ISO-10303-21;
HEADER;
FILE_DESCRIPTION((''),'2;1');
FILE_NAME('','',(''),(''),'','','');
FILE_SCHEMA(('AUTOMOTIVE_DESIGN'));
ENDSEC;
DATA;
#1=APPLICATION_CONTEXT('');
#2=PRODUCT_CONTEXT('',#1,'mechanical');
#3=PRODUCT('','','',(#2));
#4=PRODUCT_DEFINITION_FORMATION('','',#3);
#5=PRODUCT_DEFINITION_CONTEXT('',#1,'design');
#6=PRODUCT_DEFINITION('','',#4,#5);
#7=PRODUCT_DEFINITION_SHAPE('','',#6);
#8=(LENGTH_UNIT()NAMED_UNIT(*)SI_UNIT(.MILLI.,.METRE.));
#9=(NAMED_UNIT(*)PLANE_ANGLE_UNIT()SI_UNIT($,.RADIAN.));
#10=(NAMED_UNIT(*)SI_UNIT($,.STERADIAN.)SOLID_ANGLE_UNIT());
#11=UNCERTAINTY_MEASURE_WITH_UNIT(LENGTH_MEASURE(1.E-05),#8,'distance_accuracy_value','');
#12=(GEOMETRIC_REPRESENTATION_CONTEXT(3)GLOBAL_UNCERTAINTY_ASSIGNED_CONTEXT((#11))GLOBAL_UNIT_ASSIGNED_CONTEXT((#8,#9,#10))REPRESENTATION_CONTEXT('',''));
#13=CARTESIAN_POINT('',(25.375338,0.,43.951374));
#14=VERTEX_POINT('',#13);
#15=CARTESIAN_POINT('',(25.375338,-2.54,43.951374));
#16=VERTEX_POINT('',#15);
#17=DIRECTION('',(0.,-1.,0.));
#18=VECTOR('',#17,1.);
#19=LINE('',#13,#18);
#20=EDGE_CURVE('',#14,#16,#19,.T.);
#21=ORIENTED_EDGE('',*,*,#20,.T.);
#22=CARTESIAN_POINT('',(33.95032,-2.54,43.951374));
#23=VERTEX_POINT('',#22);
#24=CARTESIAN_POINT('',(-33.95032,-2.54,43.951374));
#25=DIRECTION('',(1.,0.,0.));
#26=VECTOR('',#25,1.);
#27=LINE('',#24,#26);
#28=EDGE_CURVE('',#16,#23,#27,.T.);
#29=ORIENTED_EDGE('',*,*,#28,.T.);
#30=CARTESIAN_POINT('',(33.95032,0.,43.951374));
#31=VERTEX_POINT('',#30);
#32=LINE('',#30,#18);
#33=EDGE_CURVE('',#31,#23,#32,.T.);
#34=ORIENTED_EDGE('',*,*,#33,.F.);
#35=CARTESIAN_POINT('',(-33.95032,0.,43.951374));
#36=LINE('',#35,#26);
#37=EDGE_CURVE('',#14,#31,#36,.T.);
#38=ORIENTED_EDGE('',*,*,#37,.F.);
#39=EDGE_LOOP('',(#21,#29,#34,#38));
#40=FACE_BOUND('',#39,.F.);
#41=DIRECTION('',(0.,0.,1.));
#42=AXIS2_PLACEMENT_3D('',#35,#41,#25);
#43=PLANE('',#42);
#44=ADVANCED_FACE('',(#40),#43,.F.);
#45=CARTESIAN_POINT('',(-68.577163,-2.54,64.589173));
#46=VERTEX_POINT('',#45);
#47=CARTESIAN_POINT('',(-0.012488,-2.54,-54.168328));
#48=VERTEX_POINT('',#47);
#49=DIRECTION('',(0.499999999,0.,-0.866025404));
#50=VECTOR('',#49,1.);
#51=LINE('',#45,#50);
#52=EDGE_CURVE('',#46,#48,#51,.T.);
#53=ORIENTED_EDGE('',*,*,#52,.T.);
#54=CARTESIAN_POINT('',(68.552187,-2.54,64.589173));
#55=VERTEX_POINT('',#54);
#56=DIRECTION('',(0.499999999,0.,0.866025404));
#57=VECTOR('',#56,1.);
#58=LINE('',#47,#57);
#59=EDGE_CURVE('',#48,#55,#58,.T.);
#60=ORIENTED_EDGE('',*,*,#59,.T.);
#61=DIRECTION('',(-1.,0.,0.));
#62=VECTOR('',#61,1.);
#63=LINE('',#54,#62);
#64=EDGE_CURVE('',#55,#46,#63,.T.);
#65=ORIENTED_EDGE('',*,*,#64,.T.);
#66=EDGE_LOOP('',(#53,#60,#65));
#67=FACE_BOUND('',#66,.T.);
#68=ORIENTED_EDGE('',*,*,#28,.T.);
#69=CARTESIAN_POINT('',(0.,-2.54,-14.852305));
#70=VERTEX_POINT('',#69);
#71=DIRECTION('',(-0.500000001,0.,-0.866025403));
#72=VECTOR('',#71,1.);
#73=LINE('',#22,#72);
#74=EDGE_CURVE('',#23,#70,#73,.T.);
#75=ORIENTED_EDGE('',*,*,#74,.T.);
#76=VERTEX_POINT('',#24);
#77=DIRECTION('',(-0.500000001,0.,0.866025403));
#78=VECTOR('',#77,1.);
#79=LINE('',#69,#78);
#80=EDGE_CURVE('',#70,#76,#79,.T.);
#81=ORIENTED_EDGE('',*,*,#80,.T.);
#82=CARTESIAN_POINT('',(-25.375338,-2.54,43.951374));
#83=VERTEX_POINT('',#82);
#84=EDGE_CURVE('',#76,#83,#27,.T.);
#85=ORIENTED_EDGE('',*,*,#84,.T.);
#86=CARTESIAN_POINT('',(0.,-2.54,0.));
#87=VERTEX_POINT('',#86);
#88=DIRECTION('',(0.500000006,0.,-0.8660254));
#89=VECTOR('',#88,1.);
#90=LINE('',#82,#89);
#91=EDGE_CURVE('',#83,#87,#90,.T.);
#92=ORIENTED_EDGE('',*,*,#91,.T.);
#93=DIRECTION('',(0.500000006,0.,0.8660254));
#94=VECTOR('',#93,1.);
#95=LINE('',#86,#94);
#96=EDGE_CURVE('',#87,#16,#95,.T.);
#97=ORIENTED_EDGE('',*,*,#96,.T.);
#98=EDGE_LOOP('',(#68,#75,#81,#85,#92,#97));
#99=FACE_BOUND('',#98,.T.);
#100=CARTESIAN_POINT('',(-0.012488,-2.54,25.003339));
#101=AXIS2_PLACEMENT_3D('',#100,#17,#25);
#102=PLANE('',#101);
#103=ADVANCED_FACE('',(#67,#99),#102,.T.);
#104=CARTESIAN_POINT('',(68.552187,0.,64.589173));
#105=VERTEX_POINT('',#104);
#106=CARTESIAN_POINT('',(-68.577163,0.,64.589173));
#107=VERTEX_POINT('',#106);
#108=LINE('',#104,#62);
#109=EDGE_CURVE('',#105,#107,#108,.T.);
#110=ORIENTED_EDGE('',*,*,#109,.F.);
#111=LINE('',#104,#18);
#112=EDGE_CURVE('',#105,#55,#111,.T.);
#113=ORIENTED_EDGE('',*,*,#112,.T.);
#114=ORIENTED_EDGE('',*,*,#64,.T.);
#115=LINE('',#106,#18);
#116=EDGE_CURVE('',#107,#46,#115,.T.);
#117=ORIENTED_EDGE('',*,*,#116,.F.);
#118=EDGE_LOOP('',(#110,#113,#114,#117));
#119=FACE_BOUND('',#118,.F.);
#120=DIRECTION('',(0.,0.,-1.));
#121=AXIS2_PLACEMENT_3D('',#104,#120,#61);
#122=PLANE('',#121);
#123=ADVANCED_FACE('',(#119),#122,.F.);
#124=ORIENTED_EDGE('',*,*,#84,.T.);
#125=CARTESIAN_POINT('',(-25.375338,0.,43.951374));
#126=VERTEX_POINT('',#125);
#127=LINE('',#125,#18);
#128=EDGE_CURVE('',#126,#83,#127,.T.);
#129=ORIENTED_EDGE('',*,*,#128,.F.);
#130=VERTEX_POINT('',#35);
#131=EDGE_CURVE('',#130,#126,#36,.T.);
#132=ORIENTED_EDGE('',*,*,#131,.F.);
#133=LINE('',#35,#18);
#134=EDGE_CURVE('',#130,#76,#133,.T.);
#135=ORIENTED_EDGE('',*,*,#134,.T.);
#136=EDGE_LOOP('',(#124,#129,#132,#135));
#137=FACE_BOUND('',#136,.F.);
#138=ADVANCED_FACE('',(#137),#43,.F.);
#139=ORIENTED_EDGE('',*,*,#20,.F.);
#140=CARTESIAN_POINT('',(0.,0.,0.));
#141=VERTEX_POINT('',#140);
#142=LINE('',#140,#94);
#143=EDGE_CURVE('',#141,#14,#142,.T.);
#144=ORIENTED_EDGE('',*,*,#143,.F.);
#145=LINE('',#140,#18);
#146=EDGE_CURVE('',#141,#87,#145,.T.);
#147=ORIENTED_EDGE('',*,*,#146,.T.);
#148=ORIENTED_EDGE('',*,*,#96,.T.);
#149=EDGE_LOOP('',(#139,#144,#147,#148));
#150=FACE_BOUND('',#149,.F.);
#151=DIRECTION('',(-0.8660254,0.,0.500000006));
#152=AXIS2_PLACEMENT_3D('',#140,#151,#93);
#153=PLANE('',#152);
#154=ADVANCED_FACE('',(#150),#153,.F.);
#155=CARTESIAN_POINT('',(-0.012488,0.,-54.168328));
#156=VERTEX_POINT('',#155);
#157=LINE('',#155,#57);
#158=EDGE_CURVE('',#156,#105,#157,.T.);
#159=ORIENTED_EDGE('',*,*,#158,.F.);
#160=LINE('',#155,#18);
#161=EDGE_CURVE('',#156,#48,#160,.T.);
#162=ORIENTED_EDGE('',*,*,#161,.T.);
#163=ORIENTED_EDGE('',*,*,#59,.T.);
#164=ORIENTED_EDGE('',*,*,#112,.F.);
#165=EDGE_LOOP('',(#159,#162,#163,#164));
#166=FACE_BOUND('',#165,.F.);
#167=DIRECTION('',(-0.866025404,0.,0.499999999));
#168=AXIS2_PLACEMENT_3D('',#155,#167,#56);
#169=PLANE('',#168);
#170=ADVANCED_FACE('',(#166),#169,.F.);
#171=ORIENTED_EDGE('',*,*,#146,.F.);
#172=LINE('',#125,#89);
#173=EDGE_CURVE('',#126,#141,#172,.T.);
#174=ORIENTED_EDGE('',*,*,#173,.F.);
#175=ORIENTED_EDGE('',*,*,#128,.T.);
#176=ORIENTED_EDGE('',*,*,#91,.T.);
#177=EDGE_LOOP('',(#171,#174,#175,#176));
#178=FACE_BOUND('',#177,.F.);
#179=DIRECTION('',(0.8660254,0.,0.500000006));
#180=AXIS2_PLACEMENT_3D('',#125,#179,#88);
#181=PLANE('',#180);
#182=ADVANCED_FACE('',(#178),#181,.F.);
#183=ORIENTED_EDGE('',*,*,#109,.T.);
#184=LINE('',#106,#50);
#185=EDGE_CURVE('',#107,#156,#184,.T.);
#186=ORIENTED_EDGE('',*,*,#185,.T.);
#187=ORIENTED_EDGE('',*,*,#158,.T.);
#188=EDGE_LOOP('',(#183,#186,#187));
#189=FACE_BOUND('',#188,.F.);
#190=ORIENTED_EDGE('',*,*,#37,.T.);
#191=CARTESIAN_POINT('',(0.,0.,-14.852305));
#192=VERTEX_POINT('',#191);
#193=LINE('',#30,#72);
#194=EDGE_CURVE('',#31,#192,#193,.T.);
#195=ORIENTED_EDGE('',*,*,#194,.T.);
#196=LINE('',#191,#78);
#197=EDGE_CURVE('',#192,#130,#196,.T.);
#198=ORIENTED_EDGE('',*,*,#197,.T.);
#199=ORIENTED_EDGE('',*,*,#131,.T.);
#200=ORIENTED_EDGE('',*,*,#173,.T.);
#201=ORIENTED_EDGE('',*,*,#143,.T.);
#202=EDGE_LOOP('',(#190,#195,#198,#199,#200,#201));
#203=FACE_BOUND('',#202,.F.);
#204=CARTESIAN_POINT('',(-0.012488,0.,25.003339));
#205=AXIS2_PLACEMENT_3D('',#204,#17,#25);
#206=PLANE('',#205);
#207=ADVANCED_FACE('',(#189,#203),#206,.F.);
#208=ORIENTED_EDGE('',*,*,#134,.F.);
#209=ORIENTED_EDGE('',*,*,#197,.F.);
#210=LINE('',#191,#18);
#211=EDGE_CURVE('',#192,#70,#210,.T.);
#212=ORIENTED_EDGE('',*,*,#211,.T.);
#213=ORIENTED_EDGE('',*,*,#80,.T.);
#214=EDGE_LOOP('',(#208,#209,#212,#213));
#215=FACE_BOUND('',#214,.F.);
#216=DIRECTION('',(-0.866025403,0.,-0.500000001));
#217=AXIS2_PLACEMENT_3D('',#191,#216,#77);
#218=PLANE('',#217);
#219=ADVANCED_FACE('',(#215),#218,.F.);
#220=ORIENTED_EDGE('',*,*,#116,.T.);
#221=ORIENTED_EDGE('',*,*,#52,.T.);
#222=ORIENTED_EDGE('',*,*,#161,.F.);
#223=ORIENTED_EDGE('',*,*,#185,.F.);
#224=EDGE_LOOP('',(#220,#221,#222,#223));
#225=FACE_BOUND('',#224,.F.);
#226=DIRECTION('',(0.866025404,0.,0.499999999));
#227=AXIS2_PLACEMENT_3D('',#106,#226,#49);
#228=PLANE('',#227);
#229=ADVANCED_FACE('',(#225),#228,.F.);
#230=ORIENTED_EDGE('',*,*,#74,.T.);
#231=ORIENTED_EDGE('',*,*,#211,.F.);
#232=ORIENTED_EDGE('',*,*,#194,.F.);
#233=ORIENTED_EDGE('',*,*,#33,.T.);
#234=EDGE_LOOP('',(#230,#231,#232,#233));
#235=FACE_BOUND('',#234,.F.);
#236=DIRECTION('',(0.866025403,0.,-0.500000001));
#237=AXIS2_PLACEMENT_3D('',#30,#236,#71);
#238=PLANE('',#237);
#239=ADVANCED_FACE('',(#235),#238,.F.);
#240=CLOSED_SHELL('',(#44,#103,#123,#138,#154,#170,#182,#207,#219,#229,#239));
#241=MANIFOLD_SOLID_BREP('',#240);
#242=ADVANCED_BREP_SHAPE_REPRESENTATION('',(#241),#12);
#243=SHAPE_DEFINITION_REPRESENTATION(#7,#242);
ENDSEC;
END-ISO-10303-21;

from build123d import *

# Parameters (mm, degrees)
F1_DEPTH = 2.54
F2_DEPTH = 2.54


with BuildPart() as f1:
    # F0 (on Front) → F1 (new body)
    with BuildSketch(Plane.XZ):
        Polygon((68.552187, 64.589173), (-68.577163, 64.589173), (-0.012488, -54.168328), align=None)
        Polygon((0, -14.852305), (-33.95032, 43.951374), (-25.375338, 43.951374), (25.375338, 43.951374), (33.95032, 43.951374), align=None, mode=Mode.SUBTRACT)
    extrude(amount=F1_DEPTH)

    # F0 (on Front) → F2 (join)
    with BuildSketch(Plane.XZ):
        Polygon((25.375338, 43.951374), (-25.375338, 43.951374), (0, 0), align=None)
    extrude(amount=F2_DEPTH)


solid = f1.part
